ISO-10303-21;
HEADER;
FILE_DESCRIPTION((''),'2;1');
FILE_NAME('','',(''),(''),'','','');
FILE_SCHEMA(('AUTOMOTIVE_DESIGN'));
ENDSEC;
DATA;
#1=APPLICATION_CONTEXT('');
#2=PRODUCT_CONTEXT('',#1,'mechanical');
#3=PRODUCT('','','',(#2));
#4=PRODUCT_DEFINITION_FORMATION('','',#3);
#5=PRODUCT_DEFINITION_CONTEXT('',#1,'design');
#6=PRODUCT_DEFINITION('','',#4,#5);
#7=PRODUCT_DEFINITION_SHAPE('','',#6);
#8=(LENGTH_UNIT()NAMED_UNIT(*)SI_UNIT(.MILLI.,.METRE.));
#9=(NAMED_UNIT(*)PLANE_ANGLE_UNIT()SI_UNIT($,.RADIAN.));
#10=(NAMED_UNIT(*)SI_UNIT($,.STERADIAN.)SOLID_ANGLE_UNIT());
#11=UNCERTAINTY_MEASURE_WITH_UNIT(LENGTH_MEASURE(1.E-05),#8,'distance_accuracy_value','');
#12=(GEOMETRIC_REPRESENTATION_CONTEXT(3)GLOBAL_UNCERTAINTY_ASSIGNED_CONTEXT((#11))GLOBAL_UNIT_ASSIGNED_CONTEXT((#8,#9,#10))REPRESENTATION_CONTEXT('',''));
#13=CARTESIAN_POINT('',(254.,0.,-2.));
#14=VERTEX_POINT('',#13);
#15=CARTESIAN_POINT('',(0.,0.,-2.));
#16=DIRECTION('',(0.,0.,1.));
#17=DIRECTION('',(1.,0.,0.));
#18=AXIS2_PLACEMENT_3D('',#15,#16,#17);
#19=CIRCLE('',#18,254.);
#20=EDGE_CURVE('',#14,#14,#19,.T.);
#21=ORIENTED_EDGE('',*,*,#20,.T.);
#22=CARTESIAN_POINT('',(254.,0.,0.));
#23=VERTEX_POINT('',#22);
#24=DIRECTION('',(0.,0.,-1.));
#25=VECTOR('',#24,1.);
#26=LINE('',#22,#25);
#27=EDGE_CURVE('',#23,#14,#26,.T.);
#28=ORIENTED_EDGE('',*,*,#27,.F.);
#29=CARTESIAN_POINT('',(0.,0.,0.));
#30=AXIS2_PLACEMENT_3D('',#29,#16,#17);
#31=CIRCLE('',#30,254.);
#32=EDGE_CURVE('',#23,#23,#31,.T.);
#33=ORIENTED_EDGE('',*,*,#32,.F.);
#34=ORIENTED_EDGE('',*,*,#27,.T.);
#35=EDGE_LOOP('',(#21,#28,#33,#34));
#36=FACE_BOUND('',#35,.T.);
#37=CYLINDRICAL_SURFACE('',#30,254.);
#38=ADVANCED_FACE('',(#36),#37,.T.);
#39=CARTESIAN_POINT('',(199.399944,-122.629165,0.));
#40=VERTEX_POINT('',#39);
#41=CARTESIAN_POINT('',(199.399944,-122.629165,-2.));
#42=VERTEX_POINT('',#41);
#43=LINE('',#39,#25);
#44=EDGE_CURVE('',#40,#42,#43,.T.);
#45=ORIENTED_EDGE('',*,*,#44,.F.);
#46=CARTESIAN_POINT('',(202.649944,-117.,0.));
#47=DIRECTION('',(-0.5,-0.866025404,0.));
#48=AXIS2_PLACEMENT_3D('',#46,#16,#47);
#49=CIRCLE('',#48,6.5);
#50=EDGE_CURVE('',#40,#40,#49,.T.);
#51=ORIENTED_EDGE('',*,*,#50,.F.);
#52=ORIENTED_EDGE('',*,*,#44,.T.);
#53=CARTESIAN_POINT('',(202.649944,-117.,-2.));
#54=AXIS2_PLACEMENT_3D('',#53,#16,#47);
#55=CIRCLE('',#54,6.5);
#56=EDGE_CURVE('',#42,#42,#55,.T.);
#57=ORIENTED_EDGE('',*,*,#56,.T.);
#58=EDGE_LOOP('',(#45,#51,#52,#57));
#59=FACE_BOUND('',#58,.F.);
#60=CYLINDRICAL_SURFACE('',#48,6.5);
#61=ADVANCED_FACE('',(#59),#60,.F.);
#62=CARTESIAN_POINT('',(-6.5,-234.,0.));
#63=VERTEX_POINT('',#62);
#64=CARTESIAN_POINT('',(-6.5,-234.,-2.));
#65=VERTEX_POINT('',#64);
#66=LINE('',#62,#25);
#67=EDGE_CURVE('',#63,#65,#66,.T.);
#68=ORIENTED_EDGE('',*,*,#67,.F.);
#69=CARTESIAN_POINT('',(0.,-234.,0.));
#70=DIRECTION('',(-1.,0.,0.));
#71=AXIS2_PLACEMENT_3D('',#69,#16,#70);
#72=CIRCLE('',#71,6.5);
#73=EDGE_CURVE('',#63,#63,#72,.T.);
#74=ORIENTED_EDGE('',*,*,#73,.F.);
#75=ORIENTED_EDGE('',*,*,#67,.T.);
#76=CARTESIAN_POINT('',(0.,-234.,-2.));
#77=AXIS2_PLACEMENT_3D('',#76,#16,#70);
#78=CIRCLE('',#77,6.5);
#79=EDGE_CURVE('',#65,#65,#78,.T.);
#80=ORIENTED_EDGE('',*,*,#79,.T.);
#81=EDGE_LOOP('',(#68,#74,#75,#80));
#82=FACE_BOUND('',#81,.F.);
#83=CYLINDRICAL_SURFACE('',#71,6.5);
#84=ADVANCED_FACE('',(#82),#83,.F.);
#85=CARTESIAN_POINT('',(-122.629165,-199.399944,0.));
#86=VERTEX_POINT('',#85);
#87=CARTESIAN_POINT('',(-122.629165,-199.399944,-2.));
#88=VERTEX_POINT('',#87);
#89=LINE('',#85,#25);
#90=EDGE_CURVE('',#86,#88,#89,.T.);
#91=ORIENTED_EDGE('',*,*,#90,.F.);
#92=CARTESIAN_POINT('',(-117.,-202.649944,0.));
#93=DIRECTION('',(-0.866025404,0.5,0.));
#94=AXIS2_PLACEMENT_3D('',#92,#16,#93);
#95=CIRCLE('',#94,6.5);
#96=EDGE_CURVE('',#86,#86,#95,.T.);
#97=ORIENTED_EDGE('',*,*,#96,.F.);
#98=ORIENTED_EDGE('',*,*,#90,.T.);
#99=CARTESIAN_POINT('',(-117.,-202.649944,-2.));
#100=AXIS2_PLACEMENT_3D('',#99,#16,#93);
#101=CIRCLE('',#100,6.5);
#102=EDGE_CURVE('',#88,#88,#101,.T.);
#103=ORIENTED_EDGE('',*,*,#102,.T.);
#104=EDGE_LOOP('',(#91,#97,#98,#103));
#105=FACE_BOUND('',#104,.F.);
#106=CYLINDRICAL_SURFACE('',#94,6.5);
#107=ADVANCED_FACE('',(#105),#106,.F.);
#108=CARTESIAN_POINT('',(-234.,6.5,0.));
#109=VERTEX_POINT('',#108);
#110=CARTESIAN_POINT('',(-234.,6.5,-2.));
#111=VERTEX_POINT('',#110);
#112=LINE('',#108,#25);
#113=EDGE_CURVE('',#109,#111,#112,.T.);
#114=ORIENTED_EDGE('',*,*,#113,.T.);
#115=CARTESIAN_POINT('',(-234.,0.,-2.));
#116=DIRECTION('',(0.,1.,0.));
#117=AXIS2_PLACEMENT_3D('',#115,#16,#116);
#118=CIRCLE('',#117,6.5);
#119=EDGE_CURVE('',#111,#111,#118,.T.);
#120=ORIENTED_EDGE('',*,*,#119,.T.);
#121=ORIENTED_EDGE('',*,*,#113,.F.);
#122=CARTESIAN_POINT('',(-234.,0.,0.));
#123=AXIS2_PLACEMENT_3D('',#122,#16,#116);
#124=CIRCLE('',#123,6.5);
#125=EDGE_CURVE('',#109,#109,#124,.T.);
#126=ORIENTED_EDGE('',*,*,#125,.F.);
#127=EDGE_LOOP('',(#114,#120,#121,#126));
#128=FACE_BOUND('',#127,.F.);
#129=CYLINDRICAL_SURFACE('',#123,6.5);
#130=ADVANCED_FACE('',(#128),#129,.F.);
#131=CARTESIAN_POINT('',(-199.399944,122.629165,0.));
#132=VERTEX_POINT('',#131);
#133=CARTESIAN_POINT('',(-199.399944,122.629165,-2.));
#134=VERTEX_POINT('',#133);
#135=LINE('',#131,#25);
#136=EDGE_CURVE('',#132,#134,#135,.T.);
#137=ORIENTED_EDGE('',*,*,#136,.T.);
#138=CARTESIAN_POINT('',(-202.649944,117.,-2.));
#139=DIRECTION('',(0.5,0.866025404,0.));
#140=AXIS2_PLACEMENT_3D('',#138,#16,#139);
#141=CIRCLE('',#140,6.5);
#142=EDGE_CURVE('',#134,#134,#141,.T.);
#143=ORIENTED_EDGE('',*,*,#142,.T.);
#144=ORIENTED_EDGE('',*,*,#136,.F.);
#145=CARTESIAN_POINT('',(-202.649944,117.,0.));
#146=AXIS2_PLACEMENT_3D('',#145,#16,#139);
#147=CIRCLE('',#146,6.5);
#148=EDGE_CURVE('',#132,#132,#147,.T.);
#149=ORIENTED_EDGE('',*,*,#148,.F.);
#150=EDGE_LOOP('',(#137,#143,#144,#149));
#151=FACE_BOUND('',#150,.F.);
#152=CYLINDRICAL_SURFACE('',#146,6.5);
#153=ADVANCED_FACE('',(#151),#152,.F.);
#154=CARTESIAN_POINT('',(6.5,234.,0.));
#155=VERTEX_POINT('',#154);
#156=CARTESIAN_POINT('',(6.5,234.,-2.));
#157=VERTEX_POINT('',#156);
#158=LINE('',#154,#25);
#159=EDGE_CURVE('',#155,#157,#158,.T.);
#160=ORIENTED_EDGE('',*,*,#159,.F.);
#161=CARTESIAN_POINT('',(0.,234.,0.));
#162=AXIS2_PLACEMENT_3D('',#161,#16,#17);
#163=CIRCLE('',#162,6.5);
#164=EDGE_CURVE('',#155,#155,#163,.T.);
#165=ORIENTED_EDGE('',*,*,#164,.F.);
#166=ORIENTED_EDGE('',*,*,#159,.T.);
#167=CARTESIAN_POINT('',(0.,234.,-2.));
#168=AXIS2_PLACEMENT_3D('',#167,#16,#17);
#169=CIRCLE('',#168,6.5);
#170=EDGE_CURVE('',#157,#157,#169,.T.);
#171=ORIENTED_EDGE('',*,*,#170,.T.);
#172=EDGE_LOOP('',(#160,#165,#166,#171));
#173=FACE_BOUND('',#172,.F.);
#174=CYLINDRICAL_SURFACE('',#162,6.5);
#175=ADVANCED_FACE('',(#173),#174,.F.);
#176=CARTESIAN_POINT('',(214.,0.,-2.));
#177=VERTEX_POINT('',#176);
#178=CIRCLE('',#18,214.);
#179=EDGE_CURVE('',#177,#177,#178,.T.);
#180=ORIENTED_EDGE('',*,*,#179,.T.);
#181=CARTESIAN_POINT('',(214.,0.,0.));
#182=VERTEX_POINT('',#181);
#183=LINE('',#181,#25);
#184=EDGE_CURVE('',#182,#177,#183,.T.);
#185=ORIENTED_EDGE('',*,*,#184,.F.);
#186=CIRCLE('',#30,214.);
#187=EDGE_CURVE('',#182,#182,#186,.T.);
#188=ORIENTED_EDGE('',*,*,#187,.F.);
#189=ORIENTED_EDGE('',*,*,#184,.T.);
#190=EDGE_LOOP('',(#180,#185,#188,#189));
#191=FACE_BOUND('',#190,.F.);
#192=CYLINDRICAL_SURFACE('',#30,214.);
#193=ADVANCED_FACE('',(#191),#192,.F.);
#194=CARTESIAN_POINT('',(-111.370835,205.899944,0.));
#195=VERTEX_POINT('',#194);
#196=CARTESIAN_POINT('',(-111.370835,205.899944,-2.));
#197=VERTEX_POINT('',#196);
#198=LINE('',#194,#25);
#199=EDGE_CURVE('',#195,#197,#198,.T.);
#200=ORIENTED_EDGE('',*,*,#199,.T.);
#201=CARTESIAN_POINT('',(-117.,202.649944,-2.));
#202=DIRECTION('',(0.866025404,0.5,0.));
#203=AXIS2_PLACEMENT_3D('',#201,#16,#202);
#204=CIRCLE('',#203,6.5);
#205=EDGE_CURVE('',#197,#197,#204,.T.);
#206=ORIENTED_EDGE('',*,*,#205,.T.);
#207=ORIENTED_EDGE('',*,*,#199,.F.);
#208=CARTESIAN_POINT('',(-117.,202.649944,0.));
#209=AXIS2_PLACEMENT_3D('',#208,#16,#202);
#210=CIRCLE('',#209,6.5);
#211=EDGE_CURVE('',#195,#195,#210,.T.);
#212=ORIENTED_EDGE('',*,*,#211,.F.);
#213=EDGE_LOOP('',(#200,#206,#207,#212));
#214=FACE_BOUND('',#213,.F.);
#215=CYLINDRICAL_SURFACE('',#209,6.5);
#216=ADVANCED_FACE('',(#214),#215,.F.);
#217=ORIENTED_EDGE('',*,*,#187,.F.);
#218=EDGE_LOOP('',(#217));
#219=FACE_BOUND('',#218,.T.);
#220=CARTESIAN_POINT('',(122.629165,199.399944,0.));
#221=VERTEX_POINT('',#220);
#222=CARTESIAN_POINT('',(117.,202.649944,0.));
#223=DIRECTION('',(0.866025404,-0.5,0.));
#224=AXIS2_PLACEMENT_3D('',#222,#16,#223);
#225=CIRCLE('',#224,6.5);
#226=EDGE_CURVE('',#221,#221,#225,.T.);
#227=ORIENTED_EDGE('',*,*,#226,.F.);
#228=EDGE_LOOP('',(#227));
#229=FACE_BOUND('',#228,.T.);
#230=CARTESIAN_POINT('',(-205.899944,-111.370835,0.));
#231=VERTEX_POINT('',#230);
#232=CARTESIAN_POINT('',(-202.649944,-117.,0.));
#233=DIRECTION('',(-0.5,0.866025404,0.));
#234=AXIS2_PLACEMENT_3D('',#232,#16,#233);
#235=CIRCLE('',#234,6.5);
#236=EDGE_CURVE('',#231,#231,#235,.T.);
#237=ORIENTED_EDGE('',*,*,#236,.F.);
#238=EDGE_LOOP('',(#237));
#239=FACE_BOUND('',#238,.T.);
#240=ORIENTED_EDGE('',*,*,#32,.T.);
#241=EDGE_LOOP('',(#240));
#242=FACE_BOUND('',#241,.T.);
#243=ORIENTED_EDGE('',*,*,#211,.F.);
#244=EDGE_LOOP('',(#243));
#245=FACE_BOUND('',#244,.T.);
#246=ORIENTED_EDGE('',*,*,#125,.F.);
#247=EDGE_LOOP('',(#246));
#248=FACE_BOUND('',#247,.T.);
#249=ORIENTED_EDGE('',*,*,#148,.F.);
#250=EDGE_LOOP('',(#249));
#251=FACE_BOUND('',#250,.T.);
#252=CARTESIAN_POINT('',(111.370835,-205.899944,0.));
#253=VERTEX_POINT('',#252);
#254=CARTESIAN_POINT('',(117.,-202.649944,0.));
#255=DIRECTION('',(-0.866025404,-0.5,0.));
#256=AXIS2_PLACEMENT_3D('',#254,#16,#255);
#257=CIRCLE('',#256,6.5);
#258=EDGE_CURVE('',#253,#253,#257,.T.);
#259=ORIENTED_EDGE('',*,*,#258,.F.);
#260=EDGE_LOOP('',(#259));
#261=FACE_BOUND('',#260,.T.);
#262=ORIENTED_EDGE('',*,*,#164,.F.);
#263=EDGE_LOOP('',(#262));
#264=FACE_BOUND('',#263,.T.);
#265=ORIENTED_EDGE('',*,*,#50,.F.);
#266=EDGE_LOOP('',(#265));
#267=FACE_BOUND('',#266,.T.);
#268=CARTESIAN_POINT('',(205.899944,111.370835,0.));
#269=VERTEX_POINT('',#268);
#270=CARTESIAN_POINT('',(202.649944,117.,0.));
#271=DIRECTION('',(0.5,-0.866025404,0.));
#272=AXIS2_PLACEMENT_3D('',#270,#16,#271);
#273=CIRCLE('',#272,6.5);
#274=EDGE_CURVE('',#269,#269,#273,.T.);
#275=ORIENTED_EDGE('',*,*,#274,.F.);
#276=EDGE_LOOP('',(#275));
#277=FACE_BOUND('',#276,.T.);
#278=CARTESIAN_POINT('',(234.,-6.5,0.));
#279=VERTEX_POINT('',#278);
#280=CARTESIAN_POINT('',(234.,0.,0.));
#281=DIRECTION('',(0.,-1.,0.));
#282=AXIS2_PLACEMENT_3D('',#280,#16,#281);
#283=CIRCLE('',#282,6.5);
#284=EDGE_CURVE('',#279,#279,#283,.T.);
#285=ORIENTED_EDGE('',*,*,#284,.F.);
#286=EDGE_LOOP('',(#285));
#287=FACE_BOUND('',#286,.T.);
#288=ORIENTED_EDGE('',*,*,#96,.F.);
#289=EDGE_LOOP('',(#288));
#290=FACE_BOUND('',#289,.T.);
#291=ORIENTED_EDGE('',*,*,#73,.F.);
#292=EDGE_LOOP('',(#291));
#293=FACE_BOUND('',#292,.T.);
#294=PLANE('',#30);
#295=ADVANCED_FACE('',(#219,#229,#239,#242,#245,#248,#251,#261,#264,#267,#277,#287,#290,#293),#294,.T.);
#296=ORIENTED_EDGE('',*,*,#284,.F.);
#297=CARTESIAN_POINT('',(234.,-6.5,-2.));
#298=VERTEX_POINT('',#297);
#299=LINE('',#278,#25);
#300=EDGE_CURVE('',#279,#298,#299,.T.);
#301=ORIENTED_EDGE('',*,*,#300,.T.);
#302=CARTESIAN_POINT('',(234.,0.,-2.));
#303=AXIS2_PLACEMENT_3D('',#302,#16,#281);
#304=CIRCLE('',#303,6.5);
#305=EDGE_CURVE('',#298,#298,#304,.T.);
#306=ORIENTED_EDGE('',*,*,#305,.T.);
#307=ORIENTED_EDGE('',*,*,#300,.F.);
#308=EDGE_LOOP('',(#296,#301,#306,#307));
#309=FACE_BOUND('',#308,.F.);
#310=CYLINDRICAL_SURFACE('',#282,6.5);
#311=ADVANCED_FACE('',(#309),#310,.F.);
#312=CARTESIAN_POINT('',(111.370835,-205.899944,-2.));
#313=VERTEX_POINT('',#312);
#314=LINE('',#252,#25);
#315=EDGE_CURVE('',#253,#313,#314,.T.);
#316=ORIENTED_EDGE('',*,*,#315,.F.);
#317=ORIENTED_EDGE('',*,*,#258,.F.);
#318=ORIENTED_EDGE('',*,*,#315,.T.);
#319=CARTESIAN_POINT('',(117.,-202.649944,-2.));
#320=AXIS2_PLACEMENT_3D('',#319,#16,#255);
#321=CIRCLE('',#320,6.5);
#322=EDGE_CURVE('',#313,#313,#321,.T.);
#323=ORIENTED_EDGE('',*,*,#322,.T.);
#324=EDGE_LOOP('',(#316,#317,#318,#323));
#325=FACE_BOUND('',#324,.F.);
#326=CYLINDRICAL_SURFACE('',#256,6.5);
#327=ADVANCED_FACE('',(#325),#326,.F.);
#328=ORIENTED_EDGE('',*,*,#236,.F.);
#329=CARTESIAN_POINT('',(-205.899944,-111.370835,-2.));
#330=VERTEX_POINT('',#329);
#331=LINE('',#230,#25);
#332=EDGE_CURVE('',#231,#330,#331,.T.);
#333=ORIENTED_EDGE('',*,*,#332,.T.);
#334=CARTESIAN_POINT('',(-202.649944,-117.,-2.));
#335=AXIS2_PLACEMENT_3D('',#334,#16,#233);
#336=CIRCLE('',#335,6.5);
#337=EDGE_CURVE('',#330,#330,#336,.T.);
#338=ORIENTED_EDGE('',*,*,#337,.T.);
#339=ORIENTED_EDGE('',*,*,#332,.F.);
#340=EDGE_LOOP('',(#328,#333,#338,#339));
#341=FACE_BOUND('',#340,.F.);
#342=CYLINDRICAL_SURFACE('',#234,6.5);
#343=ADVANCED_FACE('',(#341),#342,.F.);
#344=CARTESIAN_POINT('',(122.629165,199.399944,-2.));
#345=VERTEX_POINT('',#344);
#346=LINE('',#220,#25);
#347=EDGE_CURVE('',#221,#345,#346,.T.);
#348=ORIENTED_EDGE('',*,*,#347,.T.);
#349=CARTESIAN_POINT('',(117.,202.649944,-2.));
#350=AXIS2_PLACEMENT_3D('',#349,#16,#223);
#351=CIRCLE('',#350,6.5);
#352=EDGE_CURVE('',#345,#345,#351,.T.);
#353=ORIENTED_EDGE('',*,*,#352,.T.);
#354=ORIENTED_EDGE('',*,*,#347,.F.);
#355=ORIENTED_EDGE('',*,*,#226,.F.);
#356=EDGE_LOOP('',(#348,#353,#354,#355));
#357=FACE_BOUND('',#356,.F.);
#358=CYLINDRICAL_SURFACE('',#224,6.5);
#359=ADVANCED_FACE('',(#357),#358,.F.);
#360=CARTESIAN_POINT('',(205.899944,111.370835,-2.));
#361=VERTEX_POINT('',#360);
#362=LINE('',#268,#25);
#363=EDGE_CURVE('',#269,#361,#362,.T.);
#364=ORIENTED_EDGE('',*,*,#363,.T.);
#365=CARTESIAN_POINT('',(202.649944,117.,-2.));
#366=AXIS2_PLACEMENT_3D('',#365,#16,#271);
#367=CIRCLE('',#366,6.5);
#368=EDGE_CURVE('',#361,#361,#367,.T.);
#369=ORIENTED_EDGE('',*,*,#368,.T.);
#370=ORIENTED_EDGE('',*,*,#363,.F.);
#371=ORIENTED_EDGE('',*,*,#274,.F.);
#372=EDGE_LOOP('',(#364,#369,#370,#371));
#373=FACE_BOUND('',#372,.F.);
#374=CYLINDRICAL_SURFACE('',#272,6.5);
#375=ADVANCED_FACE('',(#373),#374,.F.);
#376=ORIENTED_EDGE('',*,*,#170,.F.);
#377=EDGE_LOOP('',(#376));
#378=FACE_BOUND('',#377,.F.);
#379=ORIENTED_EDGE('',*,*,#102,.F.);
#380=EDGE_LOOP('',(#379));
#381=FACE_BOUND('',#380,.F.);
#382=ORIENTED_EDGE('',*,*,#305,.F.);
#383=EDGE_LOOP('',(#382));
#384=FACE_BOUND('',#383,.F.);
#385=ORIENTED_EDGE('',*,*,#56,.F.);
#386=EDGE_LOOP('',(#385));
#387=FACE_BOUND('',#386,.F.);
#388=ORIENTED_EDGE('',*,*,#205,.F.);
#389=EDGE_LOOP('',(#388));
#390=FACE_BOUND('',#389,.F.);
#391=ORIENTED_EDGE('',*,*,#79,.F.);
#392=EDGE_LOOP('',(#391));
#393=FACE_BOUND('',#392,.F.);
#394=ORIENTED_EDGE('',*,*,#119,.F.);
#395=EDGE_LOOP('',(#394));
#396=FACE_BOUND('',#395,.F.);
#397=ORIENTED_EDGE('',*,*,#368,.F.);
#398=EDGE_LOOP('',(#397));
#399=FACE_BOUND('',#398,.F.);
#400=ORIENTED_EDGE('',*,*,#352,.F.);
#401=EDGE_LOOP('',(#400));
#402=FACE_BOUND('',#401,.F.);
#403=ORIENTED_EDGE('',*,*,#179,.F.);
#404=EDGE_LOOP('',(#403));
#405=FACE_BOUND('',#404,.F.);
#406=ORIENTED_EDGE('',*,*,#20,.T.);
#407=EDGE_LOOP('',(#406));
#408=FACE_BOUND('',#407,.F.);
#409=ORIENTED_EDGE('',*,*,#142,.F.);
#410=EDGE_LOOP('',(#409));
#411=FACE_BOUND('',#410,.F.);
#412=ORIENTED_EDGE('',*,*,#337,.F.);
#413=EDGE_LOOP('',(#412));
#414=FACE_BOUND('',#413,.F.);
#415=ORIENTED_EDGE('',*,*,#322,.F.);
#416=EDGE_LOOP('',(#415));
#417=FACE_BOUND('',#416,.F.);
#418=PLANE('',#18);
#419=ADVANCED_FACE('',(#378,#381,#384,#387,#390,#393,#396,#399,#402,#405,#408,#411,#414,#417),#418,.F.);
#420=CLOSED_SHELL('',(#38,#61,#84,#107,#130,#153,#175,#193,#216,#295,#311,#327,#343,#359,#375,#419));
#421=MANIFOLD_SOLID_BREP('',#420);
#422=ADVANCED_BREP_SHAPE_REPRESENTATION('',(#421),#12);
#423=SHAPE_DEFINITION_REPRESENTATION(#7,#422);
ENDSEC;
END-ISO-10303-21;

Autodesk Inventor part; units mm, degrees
ref_plane "YZ Plane" through (0, 0, 0) normal (1, 0, 0) x (0, 1, 0)
ref_plane "XZ Plane" through (0, 0, 0) normal (0, 1, 0) x (-1, 0, 0)
ref_plane "XY Plane" through (0, 0, 0) normal (0, 0, 1) x (1, 0, 0)
sketch "Sketch1" plane through (0, 0, 0) normal (0, 0, 1) x (1, 0, 0)
  circle A0 centre (0, 0) radius 214
  circle A1 centre (0, 0) radius 254
  dimension "d31" = 508
  dimension "d32" = 428
extrude "Plate1" add sketch "Sketch1" against normal blind 2
sketch "Sketch2" plane through (0, 0, 0) normal (0, 0, 1) x (1, 0, 0)
  circle A0 centre (0, 0) radius 214 construction
  circle A1 centre (0, 0) radius 254 construction
  line L0 (0, 254) -> (0, 214) construction
  circle A2 centre (0, 234) radius 6.5
  dimension "d33" = 13
extrude "Cut1" cut sketch "Sketch2" against normal blind 2
pattern_circular "Circular Pattern1" count 12 over 360 about axis through (0, 0, 0) along (0, 0, -1) of "Cut1"
equation "\"d31\" = Колесо_диам3_борт_ступицы"
equation "\"d32\" = Колесо_диам4_дно_ступицы"
equation "\"d34\" = Thickness"
equation "\"d15\" = Thickness"
equation "\"BendRadius\" = Thickness"
equation "\"BendReliefWidth\" = Thickness"
equation "\"BendReliefDepth\" = 0.5 * Thickness"
equation "\"CornerReliefSize\" = 4 * Thickness"
equation "\"MinimumRemnant\" = 2 * Thickness"
equation "\"TransitionRadius\" = BendRadius"
equation "\"JacobiRadiusSize\" = BendRadius"
equation "\"GapSize\" = Thickness"
equation "\"Колесо_диам3_борт_ступицы\" = 508"
equation "\"Колесо_диам4_дно_ступицы\" = 428"
equation "\"Thickness\" = 2"
properties part number "DMF2.0 01 45 Gear ring 5"
